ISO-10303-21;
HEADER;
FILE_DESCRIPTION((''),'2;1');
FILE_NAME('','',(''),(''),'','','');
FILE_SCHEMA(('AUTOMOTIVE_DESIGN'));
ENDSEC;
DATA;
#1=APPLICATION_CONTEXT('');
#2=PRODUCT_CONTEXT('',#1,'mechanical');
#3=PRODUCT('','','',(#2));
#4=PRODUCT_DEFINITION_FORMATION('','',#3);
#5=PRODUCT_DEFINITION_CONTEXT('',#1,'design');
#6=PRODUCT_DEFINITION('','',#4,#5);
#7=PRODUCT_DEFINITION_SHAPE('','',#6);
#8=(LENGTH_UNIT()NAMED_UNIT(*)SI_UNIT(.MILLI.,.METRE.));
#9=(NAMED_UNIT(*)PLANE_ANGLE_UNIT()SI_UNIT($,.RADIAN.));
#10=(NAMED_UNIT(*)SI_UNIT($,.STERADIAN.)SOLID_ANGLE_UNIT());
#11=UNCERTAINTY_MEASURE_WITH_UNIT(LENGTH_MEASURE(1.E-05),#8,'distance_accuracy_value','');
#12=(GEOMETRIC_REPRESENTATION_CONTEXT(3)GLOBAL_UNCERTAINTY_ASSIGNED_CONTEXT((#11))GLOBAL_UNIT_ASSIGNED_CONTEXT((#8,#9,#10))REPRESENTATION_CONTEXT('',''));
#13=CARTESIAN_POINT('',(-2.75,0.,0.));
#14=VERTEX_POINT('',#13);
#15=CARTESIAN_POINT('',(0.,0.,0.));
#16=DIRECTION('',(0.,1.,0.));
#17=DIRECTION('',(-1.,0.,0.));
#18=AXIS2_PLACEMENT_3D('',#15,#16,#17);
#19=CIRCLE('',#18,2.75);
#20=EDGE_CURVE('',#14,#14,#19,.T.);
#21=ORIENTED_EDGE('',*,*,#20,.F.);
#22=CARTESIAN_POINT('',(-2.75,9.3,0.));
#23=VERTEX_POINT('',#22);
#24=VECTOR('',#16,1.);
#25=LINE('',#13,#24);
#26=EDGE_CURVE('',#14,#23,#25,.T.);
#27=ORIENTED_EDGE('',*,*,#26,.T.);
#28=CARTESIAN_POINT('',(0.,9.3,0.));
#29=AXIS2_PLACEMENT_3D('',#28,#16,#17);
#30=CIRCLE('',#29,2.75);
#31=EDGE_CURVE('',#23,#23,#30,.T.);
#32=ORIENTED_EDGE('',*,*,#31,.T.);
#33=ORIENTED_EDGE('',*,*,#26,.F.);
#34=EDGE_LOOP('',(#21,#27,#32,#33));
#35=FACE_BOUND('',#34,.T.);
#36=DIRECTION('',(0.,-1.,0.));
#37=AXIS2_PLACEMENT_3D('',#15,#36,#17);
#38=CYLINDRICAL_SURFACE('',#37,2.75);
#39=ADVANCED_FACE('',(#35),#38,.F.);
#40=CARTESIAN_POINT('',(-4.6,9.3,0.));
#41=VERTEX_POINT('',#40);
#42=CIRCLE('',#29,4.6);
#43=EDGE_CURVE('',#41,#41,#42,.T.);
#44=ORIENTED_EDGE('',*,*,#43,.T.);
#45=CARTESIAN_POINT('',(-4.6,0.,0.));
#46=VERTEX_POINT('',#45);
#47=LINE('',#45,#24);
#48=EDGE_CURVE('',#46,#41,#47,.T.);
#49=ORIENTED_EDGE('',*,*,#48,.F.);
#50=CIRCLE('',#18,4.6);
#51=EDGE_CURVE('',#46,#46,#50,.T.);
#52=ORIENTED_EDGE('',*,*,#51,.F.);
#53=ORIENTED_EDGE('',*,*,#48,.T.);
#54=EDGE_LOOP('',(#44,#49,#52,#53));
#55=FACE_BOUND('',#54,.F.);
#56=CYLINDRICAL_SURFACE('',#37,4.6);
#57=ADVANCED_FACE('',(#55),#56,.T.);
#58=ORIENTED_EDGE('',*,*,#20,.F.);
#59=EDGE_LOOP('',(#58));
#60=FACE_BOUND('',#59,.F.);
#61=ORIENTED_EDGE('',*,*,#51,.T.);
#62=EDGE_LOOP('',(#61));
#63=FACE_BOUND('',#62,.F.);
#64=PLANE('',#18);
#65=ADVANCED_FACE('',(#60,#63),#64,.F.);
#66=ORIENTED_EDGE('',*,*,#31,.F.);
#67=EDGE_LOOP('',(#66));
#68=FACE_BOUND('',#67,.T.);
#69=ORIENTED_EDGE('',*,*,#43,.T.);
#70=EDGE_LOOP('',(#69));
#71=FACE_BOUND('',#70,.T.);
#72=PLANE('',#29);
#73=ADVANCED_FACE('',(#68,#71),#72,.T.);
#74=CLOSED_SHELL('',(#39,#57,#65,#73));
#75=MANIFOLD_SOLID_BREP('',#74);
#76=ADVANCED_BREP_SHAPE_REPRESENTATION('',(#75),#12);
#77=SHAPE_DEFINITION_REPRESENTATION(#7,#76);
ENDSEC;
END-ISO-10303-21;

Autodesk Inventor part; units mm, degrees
ref_plane "YZ Plane" through (0, 0, 0) normal (1, 0, 0) x (0, 1, 0)
ref_plane "XZ Plane" through (0, 0, 0) normal (0, 1, 0) x (-1, 0, 0)
ref_plane "XY Plane" through (0, 0, 0) normal (0, 0, 1) x (1, 0, 0)
sketch "Sketch1" plane through (0, 0, 0) normal (0, 1, 0) x (-1, 0, 0)
  circle A0 centre (0, 0) radius 2.75
  circle A1 centre (0, 0) radius 4.6
  dimension "d0" = 5.5
  dimension "d1" = 9.2
extrude "Extrusion1" add sketch "Sketch1" along normal blind 9.3
properties part number "Pieza_ajuste_engrane_final"
